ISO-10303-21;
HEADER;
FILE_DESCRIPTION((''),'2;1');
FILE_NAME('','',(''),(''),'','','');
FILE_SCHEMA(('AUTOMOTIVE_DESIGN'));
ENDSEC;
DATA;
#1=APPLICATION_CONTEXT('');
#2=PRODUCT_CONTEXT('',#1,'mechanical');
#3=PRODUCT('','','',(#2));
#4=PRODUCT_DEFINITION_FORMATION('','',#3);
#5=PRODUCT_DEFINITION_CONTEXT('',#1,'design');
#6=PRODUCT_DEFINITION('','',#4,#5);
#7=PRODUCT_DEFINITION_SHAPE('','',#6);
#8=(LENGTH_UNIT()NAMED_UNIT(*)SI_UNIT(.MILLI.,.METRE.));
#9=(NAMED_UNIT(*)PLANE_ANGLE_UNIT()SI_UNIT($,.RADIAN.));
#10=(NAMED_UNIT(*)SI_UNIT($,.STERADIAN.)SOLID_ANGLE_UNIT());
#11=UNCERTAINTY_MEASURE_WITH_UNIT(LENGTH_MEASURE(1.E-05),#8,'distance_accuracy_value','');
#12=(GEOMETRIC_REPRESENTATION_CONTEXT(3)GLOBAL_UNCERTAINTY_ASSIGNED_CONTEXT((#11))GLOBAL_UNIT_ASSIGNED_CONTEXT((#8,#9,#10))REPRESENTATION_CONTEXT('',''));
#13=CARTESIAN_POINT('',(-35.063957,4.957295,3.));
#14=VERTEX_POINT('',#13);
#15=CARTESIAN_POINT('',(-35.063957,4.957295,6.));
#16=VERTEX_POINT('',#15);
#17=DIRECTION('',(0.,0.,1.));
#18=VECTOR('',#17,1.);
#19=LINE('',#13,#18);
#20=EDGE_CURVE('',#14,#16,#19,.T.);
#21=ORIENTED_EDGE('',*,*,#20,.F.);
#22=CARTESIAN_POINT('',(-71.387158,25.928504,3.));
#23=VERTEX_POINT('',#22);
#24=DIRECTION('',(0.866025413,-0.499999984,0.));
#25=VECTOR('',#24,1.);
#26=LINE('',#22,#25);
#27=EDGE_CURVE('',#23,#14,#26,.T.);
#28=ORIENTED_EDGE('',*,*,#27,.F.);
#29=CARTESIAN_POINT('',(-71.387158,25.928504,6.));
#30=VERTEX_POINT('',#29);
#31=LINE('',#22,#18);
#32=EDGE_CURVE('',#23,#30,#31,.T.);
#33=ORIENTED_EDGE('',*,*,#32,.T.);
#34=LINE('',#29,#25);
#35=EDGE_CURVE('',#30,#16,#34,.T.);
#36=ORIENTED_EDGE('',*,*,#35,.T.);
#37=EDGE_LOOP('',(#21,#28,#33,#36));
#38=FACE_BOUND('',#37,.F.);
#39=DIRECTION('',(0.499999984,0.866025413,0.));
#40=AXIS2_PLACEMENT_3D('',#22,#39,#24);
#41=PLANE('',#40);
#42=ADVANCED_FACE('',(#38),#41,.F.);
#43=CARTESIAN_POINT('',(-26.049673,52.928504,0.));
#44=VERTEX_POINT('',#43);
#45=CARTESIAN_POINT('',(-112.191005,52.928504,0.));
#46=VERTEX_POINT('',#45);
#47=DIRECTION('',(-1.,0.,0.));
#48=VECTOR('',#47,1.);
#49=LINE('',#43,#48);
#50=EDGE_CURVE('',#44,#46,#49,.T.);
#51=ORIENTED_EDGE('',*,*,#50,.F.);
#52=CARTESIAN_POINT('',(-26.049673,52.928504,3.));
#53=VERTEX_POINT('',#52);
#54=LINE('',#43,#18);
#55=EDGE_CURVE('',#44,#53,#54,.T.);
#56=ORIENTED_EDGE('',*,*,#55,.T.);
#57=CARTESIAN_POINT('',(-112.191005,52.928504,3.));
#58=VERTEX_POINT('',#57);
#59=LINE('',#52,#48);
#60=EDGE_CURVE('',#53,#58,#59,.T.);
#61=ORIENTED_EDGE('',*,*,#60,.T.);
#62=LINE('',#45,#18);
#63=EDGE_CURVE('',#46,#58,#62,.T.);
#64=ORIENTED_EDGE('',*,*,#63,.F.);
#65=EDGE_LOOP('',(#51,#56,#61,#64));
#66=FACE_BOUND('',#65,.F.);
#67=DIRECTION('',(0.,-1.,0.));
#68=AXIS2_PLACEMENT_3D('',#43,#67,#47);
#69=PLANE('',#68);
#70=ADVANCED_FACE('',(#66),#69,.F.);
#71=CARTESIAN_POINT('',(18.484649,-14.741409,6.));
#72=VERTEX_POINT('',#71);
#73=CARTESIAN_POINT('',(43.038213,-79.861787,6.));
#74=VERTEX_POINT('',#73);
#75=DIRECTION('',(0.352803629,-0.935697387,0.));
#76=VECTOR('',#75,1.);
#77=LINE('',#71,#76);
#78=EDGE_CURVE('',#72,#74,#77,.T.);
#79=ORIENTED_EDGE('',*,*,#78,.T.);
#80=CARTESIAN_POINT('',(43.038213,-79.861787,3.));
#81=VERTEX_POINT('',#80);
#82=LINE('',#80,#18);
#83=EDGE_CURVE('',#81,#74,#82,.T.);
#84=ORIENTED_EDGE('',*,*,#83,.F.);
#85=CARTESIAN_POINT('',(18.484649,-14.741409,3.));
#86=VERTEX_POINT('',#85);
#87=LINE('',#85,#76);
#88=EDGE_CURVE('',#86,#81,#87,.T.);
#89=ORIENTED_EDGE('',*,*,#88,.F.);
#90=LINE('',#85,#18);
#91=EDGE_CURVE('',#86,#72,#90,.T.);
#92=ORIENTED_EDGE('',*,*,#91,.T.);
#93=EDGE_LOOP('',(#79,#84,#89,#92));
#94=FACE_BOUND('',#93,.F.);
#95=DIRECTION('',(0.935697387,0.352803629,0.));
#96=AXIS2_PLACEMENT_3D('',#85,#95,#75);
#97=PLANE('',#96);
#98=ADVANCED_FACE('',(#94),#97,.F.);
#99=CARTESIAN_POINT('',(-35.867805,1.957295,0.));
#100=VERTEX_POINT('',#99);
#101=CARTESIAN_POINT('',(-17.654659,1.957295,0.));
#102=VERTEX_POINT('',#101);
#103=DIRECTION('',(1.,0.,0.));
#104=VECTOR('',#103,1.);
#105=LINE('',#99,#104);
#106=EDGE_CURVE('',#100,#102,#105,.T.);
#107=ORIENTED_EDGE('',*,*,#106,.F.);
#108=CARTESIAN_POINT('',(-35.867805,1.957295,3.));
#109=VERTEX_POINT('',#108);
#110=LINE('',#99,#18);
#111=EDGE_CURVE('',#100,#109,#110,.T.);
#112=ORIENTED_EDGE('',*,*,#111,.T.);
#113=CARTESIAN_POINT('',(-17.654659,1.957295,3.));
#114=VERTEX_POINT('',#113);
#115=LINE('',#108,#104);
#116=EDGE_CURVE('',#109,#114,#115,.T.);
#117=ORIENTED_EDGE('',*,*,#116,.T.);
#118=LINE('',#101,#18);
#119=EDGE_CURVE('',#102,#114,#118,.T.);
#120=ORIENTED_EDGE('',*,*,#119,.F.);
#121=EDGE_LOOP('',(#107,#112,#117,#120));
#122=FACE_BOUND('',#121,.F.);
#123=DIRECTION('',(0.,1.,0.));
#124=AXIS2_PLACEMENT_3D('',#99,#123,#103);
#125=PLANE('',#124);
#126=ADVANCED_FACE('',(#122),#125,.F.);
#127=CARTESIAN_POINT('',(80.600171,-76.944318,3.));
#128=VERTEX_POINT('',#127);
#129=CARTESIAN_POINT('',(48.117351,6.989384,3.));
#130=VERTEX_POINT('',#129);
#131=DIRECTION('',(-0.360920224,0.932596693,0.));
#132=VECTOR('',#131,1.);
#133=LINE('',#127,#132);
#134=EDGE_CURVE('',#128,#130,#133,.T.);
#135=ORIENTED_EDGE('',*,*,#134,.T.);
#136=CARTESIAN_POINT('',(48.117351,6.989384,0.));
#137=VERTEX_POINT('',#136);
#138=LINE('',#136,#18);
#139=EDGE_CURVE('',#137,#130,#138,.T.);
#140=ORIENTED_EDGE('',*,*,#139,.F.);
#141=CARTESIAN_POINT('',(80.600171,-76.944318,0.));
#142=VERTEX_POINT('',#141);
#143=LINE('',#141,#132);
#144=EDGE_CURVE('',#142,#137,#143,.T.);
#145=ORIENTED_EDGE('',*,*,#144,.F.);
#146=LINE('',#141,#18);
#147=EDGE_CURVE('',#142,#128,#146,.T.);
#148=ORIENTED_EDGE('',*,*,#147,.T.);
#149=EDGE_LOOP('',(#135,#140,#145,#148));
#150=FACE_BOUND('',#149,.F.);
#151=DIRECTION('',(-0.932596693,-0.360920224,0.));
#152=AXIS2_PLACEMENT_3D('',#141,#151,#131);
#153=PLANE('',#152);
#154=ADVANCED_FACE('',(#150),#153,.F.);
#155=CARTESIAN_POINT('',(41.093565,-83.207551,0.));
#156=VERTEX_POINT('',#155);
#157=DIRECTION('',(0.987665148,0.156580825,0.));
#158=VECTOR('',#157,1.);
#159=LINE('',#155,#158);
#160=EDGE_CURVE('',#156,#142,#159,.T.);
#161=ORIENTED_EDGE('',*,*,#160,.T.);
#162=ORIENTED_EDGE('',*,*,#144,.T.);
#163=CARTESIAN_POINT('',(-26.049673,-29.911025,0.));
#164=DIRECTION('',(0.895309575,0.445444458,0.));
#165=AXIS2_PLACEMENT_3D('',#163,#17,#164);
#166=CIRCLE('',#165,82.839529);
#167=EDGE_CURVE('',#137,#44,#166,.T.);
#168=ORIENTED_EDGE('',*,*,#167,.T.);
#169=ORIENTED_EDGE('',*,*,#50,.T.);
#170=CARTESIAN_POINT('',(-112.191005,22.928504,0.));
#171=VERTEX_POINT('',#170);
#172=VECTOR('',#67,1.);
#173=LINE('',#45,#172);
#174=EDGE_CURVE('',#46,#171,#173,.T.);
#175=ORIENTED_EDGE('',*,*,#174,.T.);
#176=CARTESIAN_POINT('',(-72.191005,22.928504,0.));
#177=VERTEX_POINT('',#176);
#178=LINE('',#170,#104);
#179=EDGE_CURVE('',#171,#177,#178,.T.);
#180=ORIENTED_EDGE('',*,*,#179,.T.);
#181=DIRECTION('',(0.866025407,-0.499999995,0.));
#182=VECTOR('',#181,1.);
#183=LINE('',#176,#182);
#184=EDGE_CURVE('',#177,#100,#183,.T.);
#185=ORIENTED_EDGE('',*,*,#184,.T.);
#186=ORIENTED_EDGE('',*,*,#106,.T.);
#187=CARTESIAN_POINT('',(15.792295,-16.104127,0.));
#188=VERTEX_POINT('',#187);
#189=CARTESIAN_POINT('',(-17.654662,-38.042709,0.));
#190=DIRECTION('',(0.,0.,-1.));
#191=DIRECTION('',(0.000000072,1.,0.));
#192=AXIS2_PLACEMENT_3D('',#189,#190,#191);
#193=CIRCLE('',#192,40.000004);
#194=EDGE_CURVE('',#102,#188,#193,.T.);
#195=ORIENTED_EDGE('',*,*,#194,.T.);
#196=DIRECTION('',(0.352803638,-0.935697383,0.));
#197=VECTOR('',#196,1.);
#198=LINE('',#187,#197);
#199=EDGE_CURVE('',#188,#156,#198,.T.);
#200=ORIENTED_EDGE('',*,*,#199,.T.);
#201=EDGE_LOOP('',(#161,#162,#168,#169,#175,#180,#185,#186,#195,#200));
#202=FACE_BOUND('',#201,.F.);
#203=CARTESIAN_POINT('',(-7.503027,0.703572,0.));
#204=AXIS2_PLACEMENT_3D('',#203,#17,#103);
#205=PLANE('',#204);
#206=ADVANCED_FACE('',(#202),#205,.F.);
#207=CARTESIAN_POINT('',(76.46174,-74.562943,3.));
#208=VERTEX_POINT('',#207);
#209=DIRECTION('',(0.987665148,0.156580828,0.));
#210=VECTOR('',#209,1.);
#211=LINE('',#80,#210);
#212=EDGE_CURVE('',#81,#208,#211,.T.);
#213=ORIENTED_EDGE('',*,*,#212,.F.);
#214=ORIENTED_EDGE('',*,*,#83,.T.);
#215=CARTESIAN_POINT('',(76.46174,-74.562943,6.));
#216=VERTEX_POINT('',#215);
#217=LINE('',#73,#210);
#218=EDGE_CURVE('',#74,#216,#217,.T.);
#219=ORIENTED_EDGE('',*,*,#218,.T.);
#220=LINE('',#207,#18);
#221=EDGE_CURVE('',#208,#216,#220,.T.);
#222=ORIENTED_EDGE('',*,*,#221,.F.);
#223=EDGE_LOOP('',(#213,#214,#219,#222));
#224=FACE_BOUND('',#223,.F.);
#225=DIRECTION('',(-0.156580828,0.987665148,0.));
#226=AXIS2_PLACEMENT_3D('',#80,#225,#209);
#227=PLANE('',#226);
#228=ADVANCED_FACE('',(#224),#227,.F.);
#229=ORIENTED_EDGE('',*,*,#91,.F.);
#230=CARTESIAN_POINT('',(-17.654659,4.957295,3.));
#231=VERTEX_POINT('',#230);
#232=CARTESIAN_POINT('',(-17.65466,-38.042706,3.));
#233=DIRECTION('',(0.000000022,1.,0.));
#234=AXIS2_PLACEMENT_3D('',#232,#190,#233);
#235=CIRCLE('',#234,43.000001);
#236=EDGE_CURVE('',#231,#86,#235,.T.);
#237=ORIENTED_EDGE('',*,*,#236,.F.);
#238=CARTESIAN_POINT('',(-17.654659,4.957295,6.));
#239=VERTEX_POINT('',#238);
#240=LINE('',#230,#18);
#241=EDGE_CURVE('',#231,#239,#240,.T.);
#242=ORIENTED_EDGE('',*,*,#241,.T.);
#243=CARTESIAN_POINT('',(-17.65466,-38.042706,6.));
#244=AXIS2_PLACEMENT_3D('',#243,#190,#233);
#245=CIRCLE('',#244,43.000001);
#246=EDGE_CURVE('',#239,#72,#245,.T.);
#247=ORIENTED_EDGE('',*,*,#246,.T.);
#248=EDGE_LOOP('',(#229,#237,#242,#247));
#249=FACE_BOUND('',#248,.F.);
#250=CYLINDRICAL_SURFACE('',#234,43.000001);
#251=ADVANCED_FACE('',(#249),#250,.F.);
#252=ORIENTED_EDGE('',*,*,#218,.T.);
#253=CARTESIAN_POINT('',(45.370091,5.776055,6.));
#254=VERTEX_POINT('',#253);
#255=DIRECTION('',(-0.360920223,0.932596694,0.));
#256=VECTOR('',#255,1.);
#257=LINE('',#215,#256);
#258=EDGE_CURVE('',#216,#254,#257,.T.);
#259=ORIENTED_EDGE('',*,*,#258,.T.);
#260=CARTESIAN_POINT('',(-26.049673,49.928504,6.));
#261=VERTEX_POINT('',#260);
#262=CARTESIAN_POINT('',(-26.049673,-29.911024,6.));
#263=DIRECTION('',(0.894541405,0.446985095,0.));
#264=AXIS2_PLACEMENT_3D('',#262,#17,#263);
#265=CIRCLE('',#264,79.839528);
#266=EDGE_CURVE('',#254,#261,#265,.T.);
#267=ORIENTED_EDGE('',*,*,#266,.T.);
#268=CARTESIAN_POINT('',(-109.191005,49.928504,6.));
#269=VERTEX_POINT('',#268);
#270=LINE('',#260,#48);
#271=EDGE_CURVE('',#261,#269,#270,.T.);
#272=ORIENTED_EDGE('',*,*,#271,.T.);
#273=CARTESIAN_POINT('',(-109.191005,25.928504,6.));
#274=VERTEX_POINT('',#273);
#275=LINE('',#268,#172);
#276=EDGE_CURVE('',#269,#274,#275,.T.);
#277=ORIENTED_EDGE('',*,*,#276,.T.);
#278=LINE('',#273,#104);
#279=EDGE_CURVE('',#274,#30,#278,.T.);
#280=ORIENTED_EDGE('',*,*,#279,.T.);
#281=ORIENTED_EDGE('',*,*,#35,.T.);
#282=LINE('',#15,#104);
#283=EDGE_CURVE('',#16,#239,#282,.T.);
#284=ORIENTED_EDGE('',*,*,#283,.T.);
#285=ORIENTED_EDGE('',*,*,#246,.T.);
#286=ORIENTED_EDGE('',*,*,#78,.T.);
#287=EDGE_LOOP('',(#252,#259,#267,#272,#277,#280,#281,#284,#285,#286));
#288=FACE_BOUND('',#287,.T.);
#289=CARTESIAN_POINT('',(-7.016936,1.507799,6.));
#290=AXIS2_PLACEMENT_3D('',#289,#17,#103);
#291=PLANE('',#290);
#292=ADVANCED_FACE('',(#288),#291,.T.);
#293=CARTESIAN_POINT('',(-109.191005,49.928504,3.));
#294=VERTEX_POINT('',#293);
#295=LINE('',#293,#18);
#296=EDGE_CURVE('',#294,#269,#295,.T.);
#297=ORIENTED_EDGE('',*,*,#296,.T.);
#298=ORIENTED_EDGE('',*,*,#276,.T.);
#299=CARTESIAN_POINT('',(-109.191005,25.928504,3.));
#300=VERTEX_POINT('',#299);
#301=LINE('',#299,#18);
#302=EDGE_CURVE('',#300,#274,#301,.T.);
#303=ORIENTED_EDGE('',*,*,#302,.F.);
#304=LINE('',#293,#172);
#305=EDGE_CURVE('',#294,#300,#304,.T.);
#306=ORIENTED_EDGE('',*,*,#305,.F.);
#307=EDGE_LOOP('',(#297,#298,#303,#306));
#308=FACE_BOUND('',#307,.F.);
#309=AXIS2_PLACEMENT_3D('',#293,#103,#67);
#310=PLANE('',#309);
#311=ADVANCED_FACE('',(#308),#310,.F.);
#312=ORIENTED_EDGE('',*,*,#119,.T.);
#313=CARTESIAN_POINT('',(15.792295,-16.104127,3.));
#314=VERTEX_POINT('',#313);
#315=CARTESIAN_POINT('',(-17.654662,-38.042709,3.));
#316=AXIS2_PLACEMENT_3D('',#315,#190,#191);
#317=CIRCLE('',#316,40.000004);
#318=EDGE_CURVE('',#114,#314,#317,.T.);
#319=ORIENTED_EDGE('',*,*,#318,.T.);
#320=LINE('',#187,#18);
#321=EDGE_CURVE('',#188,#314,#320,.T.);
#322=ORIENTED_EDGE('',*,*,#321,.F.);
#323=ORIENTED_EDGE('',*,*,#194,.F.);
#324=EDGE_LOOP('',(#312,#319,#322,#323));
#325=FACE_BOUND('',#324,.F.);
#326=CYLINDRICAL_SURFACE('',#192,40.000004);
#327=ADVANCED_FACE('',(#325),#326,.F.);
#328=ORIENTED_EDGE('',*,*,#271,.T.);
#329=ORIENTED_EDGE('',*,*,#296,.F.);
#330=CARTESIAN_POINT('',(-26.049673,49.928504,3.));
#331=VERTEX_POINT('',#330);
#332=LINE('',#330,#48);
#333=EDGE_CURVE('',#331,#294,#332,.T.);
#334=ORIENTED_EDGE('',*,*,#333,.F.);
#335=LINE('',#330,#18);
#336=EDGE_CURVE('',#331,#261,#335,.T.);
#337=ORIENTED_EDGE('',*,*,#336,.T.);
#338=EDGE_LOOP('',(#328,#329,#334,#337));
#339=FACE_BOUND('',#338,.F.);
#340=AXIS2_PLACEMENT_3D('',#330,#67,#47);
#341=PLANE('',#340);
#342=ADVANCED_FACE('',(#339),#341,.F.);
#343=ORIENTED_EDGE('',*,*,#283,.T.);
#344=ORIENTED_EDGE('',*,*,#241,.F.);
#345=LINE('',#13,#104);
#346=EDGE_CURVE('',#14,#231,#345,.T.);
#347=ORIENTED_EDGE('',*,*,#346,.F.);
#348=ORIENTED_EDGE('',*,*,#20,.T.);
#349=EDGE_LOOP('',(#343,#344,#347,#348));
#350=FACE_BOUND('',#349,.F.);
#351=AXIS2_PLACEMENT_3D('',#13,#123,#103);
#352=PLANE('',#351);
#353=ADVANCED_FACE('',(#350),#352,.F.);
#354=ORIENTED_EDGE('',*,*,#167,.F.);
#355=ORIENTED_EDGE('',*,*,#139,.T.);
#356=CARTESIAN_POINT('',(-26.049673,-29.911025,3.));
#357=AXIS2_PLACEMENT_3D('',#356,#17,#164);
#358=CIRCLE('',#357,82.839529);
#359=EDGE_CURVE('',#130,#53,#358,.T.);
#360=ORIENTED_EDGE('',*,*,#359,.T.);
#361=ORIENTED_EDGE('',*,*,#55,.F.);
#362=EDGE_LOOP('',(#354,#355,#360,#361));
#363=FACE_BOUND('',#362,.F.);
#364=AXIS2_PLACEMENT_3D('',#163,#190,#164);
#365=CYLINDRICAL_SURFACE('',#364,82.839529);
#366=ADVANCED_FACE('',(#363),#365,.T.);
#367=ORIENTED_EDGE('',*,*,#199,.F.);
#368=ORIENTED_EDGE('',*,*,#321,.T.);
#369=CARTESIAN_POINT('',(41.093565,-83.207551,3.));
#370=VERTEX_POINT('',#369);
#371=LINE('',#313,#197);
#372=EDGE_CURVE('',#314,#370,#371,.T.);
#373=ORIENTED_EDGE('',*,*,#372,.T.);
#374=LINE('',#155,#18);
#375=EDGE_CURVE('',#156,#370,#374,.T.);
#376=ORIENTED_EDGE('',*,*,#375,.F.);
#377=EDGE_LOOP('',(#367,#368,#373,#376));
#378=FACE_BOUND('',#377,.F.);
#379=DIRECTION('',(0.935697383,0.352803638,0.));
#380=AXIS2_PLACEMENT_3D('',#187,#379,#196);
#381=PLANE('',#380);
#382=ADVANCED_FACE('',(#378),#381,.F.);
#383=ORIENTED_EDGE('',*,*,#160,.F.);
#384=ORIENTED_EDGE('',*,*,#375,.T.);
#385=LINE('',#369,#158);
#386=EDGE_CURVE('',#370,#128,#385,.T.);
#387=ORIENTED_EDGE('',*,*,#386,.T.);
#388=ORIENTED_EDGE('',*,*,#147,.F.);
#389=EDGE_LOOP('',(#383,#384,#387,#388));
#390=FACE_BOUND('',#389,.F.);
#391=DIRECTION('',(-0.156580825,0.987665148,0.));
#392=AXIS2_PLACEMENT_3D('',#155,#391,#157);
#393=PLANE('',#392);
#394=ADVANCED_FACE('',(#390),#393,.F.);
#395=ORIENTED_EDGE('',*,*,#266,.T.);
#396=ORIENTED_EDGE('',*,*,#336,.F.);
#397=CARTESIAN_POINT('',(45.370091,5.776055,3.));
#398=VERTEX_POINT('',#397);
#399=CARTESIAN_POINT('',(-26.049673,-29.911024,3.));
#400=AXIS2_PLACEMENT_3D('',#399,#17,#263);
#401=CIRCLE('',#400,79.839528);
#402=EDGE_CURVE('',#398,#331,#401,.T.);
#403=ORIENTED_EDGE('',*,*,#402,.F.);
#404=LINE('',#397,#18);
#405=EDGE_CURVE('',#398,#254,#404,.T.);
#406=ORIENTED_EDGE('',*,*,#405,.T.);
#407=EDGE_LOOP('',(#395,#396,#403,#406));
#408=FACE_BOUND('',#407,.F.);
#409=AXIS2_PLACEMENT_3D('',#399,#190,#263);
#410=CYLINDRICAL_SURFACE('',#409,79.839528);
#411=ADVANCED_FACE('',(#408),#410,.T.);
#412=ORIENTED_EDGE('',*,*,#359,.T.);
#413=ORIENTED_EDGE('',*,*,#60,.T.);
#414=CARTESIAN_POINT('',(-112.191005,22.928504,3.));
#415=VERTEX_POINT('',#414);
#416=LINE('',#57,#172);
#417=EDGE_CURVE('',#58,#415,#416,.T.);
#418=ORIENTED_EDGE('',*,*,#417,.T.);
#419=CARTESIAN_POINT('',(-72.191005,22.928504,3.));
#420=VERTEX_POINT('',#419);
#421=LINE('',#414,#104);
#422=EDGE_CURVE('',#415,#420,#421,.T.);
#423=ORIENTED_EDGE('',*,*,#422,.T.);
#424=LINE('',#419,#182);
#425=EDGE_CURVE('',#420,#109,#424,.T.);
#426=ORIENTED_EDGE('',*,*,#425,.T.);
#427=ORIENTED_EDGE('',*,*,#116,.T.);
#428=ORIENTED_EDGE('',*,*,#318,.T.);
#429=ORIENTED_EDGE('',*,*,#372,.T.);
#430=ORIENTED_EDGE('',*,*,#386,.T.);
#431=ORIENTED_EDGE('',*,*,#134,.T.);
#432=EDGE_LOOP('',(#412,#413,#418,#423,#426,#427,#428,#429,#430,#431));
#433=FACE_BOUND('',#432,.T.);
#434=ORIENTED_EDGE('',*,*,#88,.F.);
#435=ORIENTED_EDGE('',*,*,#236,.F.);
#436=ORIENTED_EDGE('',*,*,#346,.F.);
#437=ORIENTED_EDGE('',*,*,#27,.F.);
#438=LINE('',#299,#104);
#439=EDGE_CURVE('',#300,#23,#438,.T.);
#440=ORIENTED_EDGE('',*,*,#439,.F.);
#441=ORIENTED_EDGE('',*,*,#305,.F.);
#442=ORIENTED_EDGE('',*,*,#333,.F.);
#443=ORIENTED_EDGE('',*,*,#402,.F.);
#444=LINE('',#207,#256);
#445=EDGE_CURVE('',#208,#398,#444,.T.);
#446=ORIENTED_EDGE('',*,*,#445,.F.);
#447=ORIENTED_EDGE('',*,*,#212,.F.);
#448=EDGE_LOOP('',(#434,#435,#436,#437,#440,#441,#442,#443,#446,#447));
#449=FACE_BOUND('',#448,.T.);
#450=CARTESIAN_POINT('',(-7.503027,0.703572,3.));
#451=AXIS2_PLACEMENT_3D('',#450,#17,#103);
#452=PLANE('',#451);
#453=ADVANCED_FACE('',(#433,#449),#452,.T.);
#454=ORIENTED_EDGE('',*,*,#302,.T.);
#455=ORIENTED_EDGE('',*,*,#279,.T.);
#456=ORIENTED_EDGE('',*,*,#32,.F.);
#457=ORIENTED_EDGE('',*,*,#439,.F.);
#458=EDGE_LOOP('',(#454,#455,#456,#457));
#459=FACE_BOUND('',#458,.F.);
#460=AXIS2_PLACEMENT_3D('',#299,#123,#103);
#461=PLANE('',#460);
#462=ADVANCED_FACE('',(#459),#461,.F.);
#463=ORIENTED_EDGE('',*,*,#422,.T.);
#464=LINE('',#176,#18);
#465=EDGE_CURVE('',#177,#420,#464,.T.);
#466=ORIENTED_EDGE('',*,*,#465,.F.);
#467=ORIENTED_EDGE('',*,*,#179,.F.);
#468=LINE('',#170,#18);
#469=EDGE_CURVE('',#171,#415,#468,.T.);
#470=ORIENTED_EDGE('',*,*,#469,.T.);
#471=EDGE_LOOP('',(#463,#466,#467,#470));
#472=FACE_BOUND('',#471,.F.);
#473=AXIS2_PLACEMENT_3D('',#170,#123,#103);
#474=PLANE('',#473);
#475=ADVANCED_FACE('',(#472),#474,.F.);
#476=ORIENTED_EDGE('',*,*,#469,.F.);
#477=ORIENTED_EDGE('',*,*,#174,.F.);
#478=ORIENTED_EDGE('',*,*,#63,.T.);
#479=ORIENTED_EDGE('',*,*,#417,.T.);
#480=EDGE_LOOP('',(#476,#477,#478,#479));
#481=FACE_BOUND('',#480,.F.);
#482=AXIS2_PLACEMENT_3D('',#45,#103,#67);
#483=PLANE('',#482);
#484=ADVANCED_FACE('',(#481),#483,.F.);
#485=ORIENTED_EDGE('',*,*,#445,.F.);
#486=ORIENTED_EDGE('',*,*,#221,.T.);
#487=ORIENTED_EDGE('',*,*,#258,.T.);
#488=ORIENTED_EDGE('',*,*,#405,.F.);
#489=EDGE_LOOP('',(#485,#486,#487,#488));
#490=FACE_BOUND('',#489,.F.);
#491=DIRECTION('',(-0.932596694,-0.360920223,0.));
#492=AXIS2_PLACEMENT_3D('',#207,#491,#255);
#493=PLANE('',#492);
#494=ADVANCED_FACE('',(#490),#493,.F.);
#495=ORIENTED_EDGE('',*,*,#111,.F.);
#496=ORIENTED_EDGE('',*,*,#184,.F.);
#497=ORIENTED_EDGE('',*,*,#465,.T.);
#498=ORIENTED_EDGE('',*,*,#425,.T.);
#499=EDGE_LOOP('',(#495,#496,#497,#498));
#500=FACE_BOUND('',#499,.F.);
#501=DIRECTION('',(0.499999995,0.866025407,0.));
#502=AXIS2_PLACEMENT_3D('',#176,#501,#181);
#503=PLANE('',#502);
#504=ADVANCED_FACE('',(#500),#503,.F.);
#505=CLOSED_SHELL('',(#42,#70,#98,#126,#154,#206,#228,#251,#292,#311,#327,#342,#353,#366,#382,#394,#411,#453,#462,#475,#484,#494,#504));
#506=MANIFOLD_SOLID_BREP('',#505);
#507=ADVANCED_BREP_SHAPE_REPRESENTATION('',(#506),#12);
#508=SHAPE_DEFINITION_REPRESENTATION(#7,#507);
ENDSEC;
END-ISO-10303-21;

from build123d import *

# Parameters (mm, degrees)
F1_DEPTH = 3
F3_DEPTH = 3


with BuildPart() as f1:
    # F0 (on Top) → F1 (new body)
    with BuildSketch(Plane.XY):
        with BuildLine():
            Line((-26.049673, 52.928504), (-112.191005, 52.928504))
            Line((-112.191005, 52.928504), (-112.191005, 22.928504))
            Line((-112.191005, 22.928504), (-72.191005, 22.928504))
            Line((-72.191005, 22.928504), (-35.867805, 1.957295))
            Line((-35.867805, 1.957295), (-17.654659, 1.957295))
            ThreePointArc((-17.654659, 1.957295), (1.351351, -2.846519), (15.792295, -16.104127))
            Line((15.792295, -16.104127), (41.093565, -83.207551))
            Line((41.093565, -83.207551), (80.600171, -76.944318))
            Line((80.600171, -76.944318), (48.117351, 6.989384))
            ThreePointArc((48.117351, 6.989384), (17.57128, 40.513403), (-26.049673, 52.928504))
        make_face()
    extrude(amount=F1_DEPTH)

    # F2 (on face) → F3 (join)
    with BuildSketch(Plane.XY.offset(3)):
        with BuildLine():
            Line((-35.063957, 4.957295), (-17.654659, 4.957295))
            ThreePointArc((-17.654659, 4.957295), (2.924994, -0.287204), (18.484649, -14.741409))
            Line((18.484649, -14.741409), (43.038213, -79.861787))
            Line((43.038213, -79.861787), (76.46174, -74.562943))
            Line((76.46174, -74.562943), (45.370091, 5.776055))
            ThreePointArc((45.370091, 5.776055), (15.933126, 37.999173), (-26.049673, 49.928504))
            Line((-26.049673, 49.928504), (-109.191005, 49.928504))
            Line((-109.191005, 49.928504), (-109.191005, 25.928504))
            Line((-109.191005, 25.928504), (-71.387158, 25.928504))
            Line((-71.387158, 25.928504), (-35.063957, 4.957295))
        make_face()
    extrude(amount=F3_DEPTH)


solid = f1.part
